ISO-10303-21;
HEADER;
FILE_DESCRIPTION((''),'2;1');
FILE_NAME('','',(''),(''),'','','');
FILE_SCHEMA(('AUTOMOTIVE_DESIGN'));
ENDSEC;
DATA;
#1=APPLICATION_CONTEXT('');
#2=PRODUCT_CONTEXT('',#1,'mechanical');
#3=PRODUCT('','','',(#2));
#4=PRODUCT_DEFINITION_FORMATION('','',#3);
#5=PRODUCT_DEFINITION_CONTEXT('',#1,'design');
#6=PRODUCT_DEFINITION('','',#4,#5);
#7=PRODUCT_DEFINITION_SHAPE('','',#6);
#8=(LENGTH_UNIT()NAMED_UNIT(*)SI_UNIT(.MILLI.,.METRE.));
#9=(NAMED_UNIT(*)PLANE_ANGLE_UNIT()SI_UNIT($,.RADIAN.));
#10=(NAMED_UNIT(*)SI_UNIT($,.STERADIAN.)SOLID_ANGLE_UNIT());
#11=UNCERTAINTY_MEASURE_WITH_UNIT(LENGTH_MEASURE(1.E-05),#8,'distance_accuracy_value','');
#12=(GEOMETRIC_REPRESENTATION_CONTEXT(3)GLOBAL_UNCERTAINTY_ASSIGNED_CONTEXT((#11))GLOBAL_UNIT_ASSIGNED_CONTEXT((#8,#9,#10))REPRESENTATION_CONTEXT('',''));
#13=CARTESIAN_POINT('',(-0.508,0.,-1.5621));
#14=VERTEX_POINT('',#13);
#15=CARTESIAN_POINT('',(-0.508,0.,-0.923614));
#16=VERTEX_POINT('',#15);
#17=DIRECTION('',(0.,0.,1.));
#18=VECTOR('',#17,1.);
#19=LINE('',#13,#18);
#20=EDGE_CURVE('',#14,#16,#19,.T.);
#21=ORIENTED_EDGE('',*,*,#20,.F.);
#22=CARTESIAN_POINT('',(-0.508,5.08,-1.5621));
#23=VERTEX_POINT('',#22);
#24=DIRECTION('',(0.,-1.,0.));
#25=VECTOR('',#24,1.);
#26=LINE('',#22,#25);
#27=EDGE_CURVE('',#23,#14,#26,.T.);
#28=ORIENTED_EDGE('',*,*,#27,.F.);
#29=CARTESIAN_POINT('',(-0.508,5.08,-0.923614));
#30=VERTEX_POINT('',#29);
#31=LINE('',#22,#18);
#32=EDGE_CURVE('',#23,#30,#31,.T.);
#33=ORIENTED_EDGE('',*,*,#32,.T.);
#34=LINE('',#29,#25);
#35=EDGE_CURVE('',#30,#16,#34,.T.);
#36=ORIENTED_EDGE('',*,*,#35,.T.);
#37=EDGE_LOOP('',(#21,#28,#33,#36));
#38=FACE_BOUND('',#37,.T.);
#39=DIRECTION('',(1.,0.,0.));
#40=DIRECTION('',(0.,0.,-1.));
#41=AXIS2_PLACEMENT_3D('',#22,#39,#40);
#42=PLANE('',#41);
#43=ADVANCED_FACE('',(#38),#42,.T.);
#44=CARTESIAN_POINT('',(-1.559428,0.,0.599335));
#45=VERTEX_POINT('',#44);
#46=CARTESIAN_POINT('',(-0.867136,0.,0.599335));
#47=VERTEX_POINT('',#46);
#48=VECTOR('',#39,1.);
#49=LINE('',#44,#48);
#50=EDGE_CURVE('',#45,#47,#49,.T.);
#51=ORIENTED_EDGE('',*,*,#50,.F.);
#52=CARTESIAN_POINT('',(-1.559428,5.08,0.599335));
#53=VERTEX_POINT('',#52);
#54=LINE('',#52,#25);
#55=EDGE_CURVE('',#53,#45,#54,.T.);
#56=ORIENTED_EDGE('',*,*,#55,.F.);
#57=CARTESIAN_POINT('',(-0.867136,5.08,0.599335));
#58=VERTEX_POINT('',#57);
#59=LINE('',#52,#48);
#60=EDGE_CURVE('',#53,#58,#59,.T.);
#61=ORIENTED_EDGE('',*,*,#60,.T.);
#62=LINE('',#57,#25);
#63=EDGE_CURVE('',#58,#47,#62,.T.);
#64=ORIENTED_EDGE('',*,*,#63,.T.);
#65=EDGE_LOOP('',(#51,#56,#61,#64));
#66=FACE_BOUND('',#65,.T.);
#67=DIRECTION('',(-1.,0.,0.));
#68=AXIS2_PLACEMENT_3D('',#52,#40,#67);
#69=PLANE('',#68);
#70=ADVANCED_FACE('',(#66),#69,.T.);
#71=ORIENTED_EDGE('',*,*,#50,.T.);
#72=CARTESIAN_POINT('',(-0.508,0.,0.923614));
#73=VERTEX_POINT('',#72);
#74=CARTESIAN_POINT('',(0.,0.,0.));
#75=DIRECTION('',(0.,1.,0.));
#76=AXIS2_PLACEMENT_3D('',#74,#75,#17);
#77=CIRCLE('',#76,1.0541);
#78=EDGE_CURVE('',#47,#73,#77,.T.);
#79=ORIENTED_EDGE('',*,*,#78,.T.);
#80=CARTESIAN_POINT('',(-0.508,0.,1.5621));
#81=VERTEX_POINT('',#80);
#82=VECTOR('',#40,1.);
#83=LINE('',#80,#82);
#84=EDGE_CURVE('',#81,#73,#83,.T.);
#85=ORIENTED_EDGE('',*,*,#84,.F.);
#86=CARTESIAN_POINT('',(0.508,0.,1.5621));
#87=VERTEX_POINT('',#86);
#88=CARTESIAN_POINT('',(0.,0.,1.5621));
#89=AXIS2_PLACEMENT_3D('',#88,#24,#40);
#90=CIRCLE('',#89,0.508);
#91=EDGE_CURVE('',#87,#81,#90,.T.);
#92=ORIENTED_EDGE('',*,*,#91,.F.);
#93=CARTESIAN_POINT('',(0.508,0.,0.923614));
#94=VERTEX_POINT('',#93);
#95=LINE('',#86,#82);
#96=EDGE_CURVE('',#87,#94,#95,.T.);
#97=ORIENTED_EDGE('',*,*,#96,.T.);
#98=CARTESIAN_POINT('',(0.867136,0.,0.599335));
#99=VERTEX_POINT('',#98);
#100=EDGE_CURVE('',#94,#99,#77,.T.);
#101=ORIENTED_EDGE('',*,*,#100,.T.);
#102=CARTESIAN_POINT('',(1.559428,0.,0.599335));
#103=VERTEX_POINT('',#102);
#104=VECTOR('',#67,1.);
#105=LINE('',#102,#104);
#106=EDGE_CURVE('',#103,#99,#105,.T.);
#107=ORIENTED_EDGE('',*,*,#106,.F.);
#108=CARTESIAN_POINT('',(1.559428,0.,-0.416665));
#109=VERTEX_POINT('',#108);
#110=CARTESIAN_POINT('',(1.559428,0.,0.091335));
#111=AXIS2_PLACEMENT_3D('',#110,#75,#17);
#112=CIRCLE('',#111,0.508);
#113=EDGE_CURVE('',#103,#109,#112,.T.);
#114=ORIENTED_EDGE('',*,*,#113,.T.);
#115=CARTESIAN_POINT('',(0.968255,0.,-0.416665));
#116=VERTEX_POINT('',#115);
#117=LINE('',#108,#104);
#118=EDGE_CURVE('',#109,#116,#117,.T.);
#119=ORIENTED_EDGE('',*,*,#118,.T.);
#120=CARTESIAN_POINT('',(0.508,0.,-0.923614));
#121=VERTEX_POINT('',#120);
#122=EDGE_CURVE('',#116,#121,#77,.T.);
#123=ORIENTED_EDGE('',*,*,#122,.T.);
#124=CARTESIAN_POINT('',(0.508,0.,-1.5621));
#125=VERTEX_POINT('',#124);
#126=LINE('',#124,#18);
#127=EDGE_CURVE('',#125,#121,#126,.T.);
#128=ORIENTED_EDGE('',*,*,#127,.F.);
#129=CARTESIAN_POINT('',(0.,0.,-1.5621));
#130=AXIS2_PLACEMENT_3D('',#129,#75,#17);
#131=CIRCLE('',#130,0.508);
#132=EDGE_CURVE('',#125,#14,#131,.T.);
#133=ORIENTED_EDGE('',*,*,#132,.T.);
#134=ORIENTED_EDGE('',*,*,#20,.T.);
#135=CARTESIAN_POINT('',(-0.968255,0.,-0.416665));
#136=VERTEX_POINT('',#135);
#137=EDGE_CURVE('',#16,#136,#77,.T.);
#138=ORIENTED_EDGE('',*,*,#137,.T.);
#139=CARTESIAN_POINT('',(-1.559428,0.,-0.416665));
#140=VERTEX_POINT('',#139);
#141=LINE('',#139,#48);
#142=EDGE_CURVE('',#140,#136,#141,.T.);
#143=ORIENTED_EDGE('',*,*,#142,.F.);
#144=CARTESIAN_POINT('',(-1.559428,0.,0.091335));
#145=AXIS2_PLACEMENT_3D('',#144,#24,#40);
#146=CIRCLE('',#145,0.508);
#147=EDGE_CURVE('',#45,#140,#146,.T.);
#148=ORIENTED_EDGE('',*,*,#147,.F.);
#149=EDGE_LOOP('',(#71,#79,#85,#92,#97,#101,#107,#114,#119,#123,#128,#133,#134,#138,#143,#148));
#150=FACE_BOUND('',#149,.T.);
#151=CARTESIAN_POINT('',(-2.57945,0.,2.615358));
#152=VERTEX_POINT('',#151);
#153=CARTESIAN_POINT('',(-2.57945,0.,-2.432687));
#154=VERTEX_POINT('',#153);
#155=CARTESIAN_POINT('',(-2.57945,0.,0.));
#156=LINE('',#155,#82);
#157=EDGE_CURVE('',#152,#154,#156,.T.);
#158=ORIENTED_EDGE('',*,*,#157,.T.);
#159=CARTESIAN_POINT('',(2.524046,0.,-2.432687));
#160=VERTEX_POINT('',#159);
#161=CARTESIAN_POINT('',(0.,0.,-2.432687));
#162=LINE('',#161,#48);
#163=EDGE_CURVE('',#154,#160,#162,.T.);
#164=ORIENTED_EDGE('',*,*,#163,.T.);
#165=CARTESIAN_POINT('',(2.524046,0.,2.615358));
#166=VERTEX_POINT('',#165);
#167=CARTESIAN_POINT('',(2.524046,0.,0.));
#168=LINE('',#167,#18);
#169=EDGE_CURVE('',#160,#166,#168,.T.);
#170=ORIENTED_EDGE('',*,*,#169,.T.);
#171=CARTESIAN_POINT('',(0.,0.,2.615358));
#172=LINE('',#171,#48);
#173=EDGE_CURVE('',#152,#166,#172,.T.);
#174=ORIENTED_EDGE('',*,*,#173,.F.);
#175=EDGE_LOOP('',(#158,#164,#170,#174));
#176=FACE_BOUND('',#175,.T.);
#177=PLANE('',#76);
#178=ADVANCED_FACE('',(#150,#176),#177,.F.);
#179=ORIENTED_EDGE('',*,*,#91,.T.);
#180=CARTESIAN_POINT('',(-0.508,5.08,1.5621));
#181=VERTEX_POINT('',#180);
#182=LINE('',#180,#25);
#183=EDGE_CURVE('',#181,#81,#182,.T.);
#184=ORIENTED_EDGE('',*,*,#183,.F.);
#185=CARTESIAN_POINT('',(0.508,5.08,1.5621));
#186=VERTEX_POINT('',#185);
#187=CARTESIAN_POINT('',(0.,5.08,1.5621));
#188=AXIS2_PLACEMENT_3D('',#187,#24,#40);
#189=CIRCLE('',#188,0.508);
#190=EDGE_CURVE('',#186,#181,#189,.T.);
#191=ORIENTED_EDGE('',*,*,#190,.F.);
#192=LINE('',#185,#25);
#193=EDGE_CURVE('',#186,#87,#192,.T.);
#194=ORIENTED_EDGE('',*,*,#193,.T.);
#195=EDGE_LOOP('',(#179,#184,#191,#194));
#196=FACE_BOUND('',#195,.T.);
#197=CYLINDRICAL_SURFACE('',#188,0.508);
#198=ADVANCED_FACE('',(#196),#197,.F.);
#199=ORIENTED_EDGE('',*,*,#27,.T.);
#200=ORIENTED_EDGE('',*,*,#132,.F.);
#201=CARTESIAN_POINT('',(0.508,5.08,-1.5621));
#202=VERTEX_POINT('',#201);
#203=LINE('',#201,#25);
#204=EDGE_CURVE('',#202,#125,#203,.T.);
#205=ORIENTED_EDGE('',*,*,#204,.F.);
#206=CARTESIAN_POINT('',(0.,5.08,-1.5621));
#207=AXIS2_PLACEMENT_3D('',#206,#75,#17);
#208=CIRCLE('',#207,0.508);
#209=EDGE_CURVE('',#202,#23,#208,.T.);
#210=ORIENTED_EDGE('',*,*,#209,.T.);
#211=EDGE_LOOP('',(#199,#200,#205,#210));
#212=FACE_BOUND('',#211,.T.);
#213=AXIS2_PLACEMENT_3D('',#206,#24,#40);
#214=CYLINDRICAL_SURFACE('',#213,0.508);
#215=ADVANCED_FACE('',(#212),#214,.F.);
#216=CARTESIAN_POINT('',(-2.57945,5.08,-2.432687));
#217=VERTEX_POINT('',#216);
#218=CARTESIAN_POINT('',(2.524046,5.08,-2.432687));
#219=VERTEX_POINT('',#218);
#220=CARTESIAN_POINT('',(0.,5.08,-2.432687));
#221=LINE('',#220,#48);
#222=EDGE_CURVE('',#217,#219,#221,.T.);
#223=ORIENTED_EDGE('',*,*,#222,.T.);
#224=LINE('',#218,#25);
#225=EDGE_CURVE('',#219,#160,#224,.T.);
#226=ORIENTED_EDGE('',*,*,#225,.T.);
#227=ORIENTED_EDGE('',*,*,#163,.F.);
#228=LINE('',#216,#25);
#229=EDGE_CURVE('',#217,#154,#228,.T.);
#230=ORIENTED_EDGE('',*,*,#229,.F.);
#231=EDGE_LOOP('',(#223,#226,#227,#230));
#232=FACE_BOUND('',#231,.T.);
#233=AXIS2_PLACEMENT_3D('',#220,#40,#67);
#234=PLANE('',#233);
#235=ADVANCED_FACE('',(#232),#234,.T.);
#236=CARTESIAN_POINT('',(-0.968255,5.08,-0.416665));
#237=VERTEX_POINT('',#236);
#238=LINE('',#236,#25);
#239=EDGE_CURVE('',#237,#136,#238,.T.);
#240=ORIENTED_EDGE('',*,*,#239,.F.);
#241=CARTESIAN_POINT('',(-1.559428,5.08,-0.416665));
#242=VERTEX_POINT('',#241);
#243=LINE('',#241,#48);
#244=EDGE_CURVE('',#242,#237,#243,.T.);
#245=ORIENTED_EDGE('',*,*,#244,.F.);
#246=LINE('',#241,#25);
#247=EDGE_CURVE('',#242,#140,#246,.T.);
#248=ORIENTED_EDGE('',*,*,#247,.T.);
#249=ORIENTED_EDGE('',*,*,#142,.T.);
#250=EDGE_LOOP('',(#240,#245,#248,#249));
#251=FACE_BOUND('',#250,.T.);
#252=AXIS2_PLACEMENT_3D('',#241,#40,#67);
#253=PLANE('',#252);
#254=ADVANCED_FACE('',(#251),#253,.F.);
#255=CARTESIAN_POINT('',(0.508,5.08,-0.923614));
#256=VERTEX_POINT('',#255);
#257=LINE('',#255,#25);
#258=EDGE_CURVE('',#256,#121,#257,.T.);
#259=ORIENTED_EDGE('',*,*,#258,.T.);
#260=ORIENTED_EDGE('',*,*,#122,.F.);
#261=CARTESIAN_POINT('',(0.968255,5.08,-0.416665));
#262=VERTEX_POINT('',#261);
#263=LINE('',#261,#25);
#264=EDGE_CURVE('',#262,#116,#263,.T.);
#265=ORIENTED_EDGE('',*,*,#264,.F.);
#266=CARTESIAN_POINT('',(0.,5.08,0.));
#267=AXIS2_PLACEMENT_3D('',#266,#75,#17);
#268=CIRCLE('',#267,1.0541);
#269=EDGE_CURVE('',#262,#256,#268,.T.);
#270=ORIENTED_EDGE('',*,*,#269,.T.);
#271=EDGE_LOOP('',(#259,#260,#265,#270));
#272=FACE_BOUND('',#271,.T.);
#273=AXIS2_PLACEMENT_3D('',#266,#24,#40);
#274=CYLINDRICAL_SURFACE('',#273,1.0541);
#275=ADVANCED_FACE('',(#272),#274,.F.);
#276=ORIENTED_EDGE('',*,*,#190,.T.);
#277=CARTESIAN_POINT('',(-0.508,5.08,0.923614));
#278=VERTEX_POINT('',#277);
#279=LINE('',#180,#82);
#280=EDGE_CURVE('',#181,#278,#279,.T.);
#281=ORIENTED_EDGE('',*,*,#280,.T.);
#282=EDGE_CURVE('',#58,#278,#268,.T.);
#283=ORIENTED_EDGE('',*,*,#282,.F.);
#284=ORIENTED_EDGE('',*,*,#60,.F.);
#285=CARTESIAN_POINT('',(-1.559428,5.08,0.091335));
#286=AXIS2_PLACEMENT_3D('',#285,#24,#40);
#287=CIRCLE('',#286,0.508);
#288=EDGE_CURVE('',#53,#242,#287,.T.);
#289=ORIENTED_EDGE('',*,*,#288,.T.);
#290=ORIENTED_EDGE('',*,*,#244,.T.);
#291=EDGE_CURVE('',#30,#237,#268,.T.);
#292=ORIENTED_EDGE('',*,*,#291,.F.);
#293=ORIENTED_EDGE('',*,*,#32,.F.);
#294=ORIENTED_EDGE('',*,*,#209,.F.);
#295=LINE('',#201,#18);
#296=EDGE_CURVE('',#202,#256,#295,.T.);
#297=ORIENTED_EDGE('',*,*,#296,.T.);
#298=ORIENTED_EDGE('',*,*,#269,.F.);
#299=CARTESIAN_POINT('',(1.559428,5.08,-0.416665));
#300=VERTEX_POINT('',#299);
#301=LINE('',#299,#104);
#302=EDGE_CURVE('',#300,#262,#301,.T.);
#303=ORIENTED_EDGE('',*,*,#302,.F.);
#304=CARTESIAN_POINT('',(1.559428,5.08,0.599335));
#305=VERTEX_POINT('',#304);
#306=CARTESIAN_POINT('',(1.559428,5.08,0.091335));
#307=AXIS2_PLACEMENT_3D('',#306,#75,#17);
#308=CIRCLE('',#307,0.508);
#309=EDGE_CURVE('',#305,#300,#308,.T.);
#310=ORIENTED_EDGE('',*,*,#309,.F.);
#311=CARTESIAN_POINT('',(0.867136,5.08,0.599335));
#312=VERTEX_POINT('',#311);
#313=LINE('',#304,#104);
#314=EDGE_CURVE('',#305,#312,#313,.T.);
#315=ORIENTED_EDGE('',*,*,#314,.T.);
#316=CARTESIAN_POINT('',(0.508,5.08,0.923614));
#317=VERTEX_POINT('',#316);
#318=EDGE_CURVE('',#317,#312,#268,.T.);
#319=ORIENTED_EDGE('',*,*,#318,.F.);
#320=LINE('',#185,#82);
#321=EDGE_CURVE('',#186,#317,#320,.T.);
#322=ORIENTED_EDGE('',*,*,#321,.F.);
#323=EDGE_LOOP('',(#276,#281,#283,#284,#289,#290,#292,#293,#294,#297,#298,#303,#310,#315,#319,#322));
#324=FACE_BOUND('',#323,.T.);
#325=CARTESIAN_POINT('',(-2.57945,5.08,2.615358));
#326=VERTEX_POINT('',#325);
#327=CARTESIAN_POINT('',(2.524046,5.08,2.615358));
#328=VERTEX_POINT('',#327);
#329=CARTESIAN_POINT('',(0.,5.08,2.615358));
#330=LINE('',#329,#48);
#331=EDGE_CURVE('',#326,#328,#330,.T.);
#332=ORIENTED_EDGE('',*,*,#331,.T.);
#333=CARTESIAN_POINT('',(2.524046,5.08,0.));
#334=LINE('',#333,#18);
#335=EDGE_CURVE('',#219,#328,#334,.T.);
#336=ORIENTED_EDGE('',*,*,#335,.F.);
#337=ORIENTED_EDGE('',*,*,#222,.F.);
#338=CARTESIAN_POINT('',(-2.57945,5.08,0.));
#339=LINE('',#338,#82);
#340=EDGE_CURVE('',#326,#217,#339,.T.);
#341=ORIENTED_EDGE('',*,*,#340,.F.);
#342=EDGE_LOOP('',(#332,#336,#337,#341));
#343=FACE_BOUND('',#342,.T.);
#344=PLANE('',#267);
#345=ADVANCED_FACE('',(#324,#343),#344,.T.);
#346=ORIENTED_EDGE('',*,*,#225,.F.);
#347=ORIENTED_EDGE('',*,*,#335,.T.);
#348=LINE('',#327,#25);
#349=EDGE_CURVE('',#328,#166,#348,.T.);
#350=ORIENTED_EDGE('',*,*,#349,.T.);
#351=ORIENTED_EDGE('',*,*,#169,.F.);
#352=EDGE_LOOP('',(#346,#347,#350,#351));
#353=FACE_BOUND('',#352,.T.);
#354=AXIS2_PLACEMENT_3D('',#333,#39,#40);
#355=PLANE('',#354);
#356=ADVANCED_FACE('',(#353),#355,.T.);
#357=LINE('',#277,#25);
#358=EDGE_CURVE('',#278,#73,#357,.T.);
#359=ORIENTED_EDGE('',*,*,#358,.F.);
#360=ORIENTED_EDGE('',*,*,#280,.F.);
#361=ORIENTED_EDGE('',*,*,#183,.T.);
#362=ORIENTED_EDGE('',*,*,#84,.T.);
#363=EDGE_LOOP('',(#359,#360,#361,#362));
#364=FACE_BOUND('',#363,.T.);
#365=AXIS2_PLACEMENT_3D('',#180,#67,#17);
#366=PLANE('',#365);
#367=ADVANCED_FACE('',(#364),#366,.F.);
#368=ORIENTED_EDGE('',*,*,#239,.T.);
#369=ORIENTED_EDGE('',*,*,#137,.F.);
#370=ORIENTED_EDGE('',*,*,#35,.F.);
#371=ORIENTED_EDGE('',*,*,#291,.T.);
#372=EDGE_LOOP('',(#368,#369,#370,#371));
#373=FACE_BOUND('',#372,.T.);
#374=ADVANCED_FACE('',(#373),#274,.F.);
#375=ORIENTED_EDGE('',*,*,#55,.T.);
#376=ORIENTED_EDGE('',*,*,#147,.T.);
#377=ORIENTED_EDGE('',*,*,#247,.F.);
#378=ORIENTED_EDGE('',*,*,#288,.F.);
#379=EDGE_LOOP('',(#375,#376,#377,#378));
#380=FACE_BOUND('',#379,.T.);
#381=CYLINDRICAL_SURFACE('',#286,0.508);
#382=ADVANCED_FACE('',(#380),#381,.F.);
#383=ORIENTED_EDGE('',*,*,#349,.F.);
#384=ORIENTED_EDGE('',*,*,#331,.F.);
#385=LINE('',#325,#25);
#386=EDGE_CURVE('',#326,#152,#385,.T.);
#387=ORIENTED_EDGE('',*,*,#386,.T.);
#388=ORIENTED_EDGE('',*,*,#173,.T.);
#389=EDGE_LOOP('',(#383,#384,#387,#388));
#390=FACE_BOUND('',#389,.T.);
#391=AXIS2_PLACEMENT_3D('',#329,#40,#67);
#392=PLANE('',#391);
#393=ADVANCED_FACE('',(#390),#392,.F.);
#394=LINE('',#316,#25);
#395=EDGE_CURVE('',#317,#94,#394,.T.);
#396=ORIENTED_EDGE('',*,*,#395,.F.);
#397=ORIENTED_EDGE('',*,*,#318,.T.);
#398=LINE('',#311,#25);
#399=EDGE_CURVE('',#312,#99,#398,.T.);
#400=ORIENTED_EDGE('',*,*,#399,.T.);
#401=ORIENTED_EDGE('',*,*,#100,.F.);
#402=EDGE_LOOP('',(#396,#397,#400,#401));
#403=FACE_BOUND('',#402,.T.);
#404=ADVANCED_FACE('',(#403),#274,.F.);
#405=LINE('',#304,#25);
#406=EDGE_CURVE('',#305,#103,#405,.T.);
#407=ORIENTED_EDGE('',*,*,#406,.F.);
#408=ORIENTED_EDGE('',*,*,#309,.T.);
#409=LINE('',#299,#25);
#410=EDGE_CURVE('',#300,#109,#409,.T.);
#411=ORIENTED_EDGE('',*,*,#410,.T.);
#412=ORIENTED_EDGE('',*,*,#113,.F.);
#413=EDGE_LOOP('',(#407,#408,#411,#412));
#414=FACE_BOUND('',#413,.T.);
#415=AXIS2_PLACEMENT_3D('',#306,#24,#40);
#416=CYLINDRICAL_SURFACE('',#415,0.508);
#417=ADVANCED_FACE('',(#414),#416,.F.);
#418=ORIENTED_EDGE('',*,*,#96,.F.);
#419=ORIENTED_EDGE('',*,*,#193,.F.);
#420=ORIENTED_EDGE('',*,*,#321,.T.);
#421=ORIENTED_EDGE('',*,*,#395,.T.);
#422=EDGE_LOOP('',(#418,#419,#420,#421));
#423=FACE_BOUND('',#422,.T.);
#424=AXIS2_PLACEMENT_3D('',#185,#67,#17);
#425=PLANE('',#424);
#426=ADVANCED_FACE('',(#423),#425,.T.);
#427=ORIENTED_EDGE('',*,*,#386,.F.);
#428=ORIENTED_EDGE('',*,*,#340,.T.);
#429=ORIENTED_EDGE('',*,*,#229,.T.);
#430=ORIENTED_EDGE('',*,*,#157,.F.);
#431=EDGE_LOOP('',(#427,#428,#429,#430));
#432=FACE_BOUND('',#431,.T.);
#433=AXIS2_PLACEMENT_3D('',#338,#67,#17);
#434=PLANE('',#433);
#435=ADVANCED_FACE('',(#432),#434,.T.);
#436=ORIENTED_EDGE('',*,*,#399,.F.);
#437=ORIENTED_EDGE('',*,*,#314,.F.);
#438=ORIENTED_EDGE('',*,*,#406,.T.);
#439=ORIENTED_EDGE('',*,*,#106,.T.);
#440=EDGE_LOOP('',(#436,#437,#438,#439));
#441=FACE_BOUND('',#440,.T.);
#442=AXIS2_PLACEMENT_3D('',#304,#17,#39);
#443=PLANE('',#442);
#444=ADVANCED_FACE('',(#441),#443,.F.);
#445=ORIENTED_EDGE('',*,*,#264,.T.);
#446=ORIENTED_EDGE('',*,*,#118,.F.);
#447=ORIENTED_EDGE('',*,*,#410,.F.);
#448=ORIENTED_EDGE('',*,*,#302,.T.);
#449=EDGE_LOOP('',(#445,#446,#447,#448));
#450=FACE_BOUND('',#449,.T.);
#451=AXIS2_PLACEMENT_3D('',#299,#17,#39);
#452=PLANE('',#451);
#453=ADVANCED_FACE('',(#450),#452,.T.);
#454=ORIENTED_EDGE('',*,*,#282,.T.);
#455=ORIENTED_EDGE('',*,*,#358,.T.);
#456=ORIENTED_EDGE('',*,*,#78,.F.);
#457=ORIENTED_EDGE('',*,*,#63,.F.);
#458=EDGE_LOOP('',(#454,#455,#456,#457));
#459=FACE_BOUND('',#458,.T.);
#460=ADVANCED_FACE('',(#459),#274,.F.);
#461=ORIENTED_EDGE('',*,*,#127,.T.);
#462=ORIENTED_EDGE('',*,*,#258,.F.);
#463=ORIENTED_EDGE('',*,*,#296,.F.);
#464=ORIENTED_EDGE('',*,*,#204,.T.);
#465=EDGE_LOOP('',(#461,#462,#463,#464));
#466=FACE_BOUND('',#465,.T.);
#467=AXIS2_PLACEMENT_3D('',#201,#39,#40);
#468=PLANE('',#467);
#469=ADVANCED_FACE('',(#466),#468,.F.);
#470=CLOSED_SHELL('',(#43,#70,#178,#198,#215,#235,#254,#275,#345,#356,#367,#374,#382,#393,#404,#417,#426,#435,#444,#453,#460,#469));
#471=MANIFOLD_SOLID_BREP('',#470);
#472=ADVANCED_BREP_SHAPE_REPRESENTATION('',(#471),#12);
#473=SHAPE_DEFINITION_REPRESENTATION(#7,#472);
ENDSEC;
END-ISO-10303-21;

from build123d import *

# Parameters (mm, degrees)
BOSS_EXTRUDE1_DEPTH = 5.08


with BuildPart() as part:
    # Sketch1 → Boss-Extrude1 (new body)
    with BuildSketch(Plane(origin=(0, 0, 0), x_dir=(1, 0, 0), z_dir=(0, 1, 0))):
        Polygon((-2.579450384, -0.091335292), (-2.579450384, 2.43268731), (2.524046381, 2.43268731), (2.524046381, -0.091335292), (2.524046381, -2.615357894), (-2.579450384, -2.615357894), align=None)
        with BuildLine():
            Line((-1.559427547, -0.599335292), (-0.867135524, -0.599335292))
            ThreePointArc((-0.867135524, -0.599335292), (-0.706426639, -0.782360667), (-0.508, -0.923613994))
            Line((-0.508, -0.923613994), (-0.508, -1.5621))
            ThreePointArc((-0.508, -1.5621), (0, -2.0701), (0.508, -1.5621))
            Line((0.508, -1.5621), (0.508, -0.923613994))
            ThreePointArc((0.508, -0.923613994), (0.706426639, -0.782360667), (0.867135524, -0.599335292))
            Line((0.867135524, -0.599335292), (1.559427547, -0.599335292))
            ThreePointArc((1.559427547, -0.599335292), (2.067427547, -0.091335292), (1.559427547, 0.416664708))
            Line((1.559427547, 0.416664708), (0.968254786, 0.416664708))
            ThreePointArc((0.968254786, 0.416664708), (0.7804367, 0.708551598), (0.508, 0.923613994))
            Line((0.508, 0.923613994), (0.508, 1.5621))
            ThreePointArc((0.508, 1.5621), (0, 2.0701), (-0.508, 1.5621))
            Line((-0.508, 1.5621), (-0.508, 0.923613994))
            ThreePointArc((-0.508, 0.923613994), (-0.7804367, 0.708551598), (-0.968254786, 0.416664708))
            Line((-0.968254786, 0.416664708), (-1.559427547, 0.416664708))
            ThreePointArc((-1.559427547, 0.416664708), (-2.067427547, -0.091335292), (-1.559427547, -0.599335292))
        make_face(mode=Mode.SUBTRACT)
    extrude(amount=BOSS_EXTRUDE1_DEPTH)


solid = part.part
